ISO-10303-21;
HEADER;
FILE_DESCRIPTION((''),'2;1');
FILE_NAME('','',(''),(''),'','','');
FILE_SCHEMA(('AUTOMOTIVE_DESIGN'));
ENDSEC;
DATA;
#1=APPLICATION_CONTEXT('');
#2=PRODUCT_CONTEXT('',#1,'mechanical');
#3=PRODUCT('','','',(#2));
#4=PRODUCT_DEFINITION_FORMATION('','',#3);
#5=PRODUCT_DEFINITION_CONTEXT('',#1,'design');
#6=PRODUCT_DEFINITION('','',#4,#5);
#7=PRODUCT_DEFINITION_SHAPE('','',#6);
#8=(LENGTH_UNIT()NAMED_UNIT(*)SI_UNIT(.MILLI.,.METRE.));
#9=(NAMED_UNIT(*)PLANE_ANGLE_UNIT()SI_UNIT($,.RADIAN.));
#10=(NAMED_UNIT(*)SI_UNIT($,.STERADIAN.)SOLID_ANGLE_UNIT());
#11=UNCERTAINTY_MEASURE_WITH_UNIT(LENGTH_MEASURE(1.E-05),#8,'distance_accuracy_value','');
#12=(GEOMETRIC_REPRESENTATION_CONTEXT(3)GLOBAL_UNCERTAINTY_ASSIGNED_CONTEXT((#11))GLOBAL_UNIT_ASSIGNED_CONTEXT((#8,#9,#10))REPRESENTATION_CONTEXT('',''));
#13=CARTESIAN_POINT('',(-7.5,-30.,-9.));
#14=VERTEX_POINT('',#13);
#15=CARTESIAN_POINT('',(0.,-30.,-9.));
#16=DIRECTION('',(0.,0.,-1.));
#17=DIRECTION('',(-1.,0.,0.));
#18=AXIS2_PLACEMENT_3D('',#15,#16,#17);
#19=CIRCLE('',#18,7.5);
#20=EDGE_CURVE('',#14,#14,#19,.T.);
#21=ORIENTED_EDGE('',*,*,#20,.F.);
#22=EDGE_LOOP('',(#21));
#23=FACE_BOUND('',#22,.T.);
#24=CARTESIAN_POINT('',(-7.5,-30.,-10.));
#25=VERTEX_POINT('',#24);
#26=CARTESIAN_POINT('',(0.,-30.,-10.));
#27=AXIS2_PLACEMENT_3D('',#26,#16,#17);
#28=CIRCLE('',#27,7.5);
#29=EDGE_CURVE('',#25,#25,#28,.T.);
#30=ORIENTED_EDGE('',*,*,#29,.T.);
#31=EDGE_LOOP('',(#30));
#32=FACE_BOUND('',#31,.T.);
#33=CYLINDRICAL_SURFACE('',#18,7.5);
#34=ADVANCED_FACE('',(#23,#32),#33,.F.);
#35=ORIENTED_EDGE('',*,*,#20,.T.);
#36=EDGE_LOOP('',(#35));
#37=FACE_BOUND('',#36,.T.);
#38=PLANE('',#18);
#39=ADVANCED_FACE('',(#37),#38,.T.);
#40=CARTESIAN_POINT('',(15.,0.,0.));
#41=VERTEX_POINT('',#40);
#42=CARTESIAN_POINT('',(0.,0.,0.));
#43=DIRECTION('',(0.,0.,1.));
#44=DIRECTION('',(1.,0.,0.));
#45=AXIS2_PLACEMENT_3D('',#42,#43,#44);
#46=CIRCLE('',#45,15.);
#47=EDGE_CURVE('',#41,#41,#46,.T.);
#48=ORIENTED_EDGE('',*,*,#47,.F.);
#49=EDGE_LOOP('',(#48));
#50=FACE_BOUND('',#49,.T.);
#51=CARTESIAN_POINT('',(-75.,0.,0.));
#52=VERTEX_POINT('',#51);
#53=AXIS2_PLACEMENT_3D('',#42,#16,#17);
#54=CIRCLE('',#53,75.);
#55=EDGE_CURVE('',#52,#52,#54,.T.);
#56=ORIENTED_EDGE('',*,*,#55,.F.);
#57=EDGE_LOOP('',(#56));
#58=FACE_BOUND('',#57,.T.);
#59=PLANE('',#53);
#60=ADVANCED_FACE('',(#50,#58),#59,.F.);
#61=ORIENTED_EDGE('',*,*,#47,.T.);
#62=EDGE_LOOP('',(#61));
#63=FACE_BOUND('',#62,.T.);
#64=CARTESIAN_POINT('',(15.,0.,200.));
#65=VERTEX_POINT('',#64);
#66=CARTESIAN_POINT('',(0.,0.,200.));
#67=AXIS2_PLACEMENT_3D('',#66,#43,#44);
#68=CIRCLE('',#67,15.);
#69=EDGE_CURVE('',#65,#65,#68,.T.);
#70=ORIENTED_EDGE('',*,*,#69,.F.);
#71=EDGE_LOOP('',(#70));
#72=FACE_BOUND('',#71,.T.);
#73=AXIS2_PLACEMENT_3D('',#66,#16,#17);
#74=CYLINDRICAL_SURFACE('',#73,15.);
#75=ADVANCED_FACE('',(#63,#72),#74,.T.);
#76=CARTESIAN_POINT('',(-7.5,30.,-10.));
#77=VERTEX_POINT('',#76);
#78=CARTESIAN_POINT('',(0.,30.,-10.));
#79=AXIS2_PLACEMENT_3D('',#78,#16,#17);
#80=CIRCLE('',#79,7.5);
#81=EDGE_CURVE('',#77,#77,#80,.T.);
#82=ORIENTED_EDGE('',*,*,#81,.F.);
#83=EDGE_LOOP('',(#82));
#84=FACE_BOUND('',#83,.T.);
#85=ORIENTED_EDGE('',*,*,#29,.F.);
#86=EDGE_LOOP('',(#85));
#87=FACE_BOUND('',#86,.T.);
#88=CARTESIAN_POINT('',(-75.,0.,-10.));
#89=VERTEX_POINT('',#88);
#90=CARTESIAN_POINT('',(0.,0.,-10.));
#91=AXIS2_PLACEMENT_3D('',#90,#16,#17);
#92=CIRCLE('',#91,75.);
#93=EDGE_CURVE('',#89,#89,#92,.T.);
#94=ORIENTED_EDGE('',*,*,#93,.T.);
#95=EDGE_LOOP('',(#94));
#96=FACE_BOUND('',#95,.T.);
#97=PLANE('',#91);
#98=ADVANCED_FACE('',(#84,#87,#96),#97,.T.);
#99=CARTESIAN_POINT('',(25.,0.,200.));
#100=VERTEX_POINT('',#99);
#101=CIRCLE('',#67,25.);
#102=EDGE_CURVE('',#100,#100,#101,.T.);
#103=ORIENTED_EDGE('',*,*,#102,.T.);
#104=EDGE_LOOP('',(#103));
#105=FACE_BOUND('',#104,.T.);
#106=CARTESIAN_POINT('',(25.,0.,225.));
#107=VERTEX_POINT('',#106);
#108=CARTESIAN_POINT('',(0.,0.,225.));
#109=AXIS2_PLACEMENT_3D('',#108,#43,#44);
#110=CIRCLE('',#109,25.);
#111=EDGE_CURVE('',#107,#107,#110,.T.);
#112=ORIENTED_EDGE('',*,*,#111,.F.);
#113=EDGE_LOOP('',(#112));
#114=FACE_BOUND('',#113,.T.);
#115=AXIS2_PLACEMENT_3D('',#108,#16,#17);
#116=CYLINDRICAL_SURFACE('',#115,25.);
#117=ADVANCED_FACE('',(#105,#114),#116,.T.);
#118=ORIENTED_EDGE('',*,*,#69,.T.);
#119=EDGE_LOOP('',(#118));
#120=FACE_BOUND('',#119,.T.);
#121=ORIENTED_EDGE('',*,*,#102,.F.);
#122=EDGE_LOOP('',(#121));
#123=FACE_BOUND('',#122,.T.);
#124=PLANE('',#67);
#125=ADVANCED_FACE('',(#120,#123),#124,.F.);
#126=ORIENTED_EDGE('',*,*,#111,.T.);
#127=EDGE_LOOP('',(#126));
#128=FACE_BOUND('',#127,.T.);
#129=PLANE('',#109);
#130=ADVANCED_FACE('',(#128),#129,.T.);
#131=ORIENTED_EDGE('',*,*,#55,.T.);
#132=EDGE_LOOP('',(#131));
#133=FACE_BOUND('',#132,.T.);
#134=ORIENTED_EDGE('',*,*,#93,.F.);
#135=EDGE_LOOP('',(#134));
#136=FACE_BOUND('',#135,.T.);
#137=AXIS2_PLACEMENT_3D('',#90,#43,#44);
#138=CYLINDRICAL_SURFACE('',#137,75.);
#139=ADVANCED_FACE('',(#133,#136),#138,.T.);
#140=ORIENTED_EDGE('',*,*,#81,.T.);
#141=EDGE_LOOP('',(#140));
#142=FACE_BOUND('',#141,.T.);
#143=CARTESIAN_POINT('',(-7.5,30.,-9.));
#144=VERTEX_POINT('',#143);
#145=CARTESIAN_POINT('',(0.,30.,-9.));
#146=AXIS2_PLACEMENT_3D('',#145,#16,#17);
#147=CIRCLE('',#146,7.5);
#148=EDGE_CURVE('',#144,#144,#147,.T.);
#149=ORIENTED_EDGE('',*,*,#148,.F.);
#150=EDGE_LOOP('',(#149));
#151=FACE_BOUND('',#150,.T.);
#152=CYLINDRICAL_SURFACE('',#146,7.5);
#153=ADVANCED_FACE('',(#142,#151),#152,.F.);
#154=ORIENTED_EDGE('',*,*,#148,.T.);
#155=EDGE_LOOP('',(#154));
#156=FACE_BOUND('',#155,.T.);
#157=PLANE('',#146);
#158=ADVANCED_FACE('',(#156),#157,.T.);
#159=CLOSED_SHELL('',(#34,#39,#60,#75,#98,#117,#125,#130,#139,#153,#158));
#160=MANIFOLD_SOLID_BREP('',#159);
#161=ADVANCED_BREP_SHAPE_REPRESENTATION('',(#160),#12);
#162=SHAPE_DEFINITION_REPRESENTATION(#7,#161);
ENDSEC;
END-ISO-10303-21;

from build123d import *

# Parameters (mm, degrees)
SKETCH1_R           = 15
BOSS_EXTRUDE1_DEPTH = 200
SKETCH2_R           = 25
BOSS_EXTRUDE2_DEPTH = 25
SKETCH3_R           = 75
BOSS_EXTRUDE3_DEPTH = 10
SKETCH4_R           = 7.5
CUT_EXTRUDE1_DEPTH  = 1


with BuildPart() as part:
    # Sketch1 → Boss-Extrude1 (new body)
    with BuildSketch(Plane.XY):
        Circle(SKETCH1_R)
    extrude(amount=BOSS_EXTRUDE1_DEPTH)

    # Sketch2 → Boss-Extrude2 (add)
    with BuildSketch(Plane.XY.offset(200)):
        Circle(SKETCH2_R)
    extrude(amount=BOSS_EXTRUDE2_DEPTH)

    # Sketch3 → Boss-Extrude3 (add)
    with BuildSketch(Plane(origin=(0, 0, 0), x_dir=(-1, 0, 0), z_dir=(0, 0, -1))):
        Circle(SKETCH3_R)
    extrude(amount=BOSS_EXTRUDE3_DEPTH)

    # Sketch4 → Cut-Extrude1 (cut)
    with BuildSketch(Plane(origin=(0, 0, -10), x_dir=(-1, 0, 0), z_dir=(0, 0, -1))):
        with Locations((0, 30)):
            Circle(SKETCH4_R)
        with Locations((0, -30)):
            Circle(SKETCH4_R)
    extrude(amount=-CUT_EXTRUDE1_DEPTH, mode=Mode.SUBTRACT)


solid = part.part
